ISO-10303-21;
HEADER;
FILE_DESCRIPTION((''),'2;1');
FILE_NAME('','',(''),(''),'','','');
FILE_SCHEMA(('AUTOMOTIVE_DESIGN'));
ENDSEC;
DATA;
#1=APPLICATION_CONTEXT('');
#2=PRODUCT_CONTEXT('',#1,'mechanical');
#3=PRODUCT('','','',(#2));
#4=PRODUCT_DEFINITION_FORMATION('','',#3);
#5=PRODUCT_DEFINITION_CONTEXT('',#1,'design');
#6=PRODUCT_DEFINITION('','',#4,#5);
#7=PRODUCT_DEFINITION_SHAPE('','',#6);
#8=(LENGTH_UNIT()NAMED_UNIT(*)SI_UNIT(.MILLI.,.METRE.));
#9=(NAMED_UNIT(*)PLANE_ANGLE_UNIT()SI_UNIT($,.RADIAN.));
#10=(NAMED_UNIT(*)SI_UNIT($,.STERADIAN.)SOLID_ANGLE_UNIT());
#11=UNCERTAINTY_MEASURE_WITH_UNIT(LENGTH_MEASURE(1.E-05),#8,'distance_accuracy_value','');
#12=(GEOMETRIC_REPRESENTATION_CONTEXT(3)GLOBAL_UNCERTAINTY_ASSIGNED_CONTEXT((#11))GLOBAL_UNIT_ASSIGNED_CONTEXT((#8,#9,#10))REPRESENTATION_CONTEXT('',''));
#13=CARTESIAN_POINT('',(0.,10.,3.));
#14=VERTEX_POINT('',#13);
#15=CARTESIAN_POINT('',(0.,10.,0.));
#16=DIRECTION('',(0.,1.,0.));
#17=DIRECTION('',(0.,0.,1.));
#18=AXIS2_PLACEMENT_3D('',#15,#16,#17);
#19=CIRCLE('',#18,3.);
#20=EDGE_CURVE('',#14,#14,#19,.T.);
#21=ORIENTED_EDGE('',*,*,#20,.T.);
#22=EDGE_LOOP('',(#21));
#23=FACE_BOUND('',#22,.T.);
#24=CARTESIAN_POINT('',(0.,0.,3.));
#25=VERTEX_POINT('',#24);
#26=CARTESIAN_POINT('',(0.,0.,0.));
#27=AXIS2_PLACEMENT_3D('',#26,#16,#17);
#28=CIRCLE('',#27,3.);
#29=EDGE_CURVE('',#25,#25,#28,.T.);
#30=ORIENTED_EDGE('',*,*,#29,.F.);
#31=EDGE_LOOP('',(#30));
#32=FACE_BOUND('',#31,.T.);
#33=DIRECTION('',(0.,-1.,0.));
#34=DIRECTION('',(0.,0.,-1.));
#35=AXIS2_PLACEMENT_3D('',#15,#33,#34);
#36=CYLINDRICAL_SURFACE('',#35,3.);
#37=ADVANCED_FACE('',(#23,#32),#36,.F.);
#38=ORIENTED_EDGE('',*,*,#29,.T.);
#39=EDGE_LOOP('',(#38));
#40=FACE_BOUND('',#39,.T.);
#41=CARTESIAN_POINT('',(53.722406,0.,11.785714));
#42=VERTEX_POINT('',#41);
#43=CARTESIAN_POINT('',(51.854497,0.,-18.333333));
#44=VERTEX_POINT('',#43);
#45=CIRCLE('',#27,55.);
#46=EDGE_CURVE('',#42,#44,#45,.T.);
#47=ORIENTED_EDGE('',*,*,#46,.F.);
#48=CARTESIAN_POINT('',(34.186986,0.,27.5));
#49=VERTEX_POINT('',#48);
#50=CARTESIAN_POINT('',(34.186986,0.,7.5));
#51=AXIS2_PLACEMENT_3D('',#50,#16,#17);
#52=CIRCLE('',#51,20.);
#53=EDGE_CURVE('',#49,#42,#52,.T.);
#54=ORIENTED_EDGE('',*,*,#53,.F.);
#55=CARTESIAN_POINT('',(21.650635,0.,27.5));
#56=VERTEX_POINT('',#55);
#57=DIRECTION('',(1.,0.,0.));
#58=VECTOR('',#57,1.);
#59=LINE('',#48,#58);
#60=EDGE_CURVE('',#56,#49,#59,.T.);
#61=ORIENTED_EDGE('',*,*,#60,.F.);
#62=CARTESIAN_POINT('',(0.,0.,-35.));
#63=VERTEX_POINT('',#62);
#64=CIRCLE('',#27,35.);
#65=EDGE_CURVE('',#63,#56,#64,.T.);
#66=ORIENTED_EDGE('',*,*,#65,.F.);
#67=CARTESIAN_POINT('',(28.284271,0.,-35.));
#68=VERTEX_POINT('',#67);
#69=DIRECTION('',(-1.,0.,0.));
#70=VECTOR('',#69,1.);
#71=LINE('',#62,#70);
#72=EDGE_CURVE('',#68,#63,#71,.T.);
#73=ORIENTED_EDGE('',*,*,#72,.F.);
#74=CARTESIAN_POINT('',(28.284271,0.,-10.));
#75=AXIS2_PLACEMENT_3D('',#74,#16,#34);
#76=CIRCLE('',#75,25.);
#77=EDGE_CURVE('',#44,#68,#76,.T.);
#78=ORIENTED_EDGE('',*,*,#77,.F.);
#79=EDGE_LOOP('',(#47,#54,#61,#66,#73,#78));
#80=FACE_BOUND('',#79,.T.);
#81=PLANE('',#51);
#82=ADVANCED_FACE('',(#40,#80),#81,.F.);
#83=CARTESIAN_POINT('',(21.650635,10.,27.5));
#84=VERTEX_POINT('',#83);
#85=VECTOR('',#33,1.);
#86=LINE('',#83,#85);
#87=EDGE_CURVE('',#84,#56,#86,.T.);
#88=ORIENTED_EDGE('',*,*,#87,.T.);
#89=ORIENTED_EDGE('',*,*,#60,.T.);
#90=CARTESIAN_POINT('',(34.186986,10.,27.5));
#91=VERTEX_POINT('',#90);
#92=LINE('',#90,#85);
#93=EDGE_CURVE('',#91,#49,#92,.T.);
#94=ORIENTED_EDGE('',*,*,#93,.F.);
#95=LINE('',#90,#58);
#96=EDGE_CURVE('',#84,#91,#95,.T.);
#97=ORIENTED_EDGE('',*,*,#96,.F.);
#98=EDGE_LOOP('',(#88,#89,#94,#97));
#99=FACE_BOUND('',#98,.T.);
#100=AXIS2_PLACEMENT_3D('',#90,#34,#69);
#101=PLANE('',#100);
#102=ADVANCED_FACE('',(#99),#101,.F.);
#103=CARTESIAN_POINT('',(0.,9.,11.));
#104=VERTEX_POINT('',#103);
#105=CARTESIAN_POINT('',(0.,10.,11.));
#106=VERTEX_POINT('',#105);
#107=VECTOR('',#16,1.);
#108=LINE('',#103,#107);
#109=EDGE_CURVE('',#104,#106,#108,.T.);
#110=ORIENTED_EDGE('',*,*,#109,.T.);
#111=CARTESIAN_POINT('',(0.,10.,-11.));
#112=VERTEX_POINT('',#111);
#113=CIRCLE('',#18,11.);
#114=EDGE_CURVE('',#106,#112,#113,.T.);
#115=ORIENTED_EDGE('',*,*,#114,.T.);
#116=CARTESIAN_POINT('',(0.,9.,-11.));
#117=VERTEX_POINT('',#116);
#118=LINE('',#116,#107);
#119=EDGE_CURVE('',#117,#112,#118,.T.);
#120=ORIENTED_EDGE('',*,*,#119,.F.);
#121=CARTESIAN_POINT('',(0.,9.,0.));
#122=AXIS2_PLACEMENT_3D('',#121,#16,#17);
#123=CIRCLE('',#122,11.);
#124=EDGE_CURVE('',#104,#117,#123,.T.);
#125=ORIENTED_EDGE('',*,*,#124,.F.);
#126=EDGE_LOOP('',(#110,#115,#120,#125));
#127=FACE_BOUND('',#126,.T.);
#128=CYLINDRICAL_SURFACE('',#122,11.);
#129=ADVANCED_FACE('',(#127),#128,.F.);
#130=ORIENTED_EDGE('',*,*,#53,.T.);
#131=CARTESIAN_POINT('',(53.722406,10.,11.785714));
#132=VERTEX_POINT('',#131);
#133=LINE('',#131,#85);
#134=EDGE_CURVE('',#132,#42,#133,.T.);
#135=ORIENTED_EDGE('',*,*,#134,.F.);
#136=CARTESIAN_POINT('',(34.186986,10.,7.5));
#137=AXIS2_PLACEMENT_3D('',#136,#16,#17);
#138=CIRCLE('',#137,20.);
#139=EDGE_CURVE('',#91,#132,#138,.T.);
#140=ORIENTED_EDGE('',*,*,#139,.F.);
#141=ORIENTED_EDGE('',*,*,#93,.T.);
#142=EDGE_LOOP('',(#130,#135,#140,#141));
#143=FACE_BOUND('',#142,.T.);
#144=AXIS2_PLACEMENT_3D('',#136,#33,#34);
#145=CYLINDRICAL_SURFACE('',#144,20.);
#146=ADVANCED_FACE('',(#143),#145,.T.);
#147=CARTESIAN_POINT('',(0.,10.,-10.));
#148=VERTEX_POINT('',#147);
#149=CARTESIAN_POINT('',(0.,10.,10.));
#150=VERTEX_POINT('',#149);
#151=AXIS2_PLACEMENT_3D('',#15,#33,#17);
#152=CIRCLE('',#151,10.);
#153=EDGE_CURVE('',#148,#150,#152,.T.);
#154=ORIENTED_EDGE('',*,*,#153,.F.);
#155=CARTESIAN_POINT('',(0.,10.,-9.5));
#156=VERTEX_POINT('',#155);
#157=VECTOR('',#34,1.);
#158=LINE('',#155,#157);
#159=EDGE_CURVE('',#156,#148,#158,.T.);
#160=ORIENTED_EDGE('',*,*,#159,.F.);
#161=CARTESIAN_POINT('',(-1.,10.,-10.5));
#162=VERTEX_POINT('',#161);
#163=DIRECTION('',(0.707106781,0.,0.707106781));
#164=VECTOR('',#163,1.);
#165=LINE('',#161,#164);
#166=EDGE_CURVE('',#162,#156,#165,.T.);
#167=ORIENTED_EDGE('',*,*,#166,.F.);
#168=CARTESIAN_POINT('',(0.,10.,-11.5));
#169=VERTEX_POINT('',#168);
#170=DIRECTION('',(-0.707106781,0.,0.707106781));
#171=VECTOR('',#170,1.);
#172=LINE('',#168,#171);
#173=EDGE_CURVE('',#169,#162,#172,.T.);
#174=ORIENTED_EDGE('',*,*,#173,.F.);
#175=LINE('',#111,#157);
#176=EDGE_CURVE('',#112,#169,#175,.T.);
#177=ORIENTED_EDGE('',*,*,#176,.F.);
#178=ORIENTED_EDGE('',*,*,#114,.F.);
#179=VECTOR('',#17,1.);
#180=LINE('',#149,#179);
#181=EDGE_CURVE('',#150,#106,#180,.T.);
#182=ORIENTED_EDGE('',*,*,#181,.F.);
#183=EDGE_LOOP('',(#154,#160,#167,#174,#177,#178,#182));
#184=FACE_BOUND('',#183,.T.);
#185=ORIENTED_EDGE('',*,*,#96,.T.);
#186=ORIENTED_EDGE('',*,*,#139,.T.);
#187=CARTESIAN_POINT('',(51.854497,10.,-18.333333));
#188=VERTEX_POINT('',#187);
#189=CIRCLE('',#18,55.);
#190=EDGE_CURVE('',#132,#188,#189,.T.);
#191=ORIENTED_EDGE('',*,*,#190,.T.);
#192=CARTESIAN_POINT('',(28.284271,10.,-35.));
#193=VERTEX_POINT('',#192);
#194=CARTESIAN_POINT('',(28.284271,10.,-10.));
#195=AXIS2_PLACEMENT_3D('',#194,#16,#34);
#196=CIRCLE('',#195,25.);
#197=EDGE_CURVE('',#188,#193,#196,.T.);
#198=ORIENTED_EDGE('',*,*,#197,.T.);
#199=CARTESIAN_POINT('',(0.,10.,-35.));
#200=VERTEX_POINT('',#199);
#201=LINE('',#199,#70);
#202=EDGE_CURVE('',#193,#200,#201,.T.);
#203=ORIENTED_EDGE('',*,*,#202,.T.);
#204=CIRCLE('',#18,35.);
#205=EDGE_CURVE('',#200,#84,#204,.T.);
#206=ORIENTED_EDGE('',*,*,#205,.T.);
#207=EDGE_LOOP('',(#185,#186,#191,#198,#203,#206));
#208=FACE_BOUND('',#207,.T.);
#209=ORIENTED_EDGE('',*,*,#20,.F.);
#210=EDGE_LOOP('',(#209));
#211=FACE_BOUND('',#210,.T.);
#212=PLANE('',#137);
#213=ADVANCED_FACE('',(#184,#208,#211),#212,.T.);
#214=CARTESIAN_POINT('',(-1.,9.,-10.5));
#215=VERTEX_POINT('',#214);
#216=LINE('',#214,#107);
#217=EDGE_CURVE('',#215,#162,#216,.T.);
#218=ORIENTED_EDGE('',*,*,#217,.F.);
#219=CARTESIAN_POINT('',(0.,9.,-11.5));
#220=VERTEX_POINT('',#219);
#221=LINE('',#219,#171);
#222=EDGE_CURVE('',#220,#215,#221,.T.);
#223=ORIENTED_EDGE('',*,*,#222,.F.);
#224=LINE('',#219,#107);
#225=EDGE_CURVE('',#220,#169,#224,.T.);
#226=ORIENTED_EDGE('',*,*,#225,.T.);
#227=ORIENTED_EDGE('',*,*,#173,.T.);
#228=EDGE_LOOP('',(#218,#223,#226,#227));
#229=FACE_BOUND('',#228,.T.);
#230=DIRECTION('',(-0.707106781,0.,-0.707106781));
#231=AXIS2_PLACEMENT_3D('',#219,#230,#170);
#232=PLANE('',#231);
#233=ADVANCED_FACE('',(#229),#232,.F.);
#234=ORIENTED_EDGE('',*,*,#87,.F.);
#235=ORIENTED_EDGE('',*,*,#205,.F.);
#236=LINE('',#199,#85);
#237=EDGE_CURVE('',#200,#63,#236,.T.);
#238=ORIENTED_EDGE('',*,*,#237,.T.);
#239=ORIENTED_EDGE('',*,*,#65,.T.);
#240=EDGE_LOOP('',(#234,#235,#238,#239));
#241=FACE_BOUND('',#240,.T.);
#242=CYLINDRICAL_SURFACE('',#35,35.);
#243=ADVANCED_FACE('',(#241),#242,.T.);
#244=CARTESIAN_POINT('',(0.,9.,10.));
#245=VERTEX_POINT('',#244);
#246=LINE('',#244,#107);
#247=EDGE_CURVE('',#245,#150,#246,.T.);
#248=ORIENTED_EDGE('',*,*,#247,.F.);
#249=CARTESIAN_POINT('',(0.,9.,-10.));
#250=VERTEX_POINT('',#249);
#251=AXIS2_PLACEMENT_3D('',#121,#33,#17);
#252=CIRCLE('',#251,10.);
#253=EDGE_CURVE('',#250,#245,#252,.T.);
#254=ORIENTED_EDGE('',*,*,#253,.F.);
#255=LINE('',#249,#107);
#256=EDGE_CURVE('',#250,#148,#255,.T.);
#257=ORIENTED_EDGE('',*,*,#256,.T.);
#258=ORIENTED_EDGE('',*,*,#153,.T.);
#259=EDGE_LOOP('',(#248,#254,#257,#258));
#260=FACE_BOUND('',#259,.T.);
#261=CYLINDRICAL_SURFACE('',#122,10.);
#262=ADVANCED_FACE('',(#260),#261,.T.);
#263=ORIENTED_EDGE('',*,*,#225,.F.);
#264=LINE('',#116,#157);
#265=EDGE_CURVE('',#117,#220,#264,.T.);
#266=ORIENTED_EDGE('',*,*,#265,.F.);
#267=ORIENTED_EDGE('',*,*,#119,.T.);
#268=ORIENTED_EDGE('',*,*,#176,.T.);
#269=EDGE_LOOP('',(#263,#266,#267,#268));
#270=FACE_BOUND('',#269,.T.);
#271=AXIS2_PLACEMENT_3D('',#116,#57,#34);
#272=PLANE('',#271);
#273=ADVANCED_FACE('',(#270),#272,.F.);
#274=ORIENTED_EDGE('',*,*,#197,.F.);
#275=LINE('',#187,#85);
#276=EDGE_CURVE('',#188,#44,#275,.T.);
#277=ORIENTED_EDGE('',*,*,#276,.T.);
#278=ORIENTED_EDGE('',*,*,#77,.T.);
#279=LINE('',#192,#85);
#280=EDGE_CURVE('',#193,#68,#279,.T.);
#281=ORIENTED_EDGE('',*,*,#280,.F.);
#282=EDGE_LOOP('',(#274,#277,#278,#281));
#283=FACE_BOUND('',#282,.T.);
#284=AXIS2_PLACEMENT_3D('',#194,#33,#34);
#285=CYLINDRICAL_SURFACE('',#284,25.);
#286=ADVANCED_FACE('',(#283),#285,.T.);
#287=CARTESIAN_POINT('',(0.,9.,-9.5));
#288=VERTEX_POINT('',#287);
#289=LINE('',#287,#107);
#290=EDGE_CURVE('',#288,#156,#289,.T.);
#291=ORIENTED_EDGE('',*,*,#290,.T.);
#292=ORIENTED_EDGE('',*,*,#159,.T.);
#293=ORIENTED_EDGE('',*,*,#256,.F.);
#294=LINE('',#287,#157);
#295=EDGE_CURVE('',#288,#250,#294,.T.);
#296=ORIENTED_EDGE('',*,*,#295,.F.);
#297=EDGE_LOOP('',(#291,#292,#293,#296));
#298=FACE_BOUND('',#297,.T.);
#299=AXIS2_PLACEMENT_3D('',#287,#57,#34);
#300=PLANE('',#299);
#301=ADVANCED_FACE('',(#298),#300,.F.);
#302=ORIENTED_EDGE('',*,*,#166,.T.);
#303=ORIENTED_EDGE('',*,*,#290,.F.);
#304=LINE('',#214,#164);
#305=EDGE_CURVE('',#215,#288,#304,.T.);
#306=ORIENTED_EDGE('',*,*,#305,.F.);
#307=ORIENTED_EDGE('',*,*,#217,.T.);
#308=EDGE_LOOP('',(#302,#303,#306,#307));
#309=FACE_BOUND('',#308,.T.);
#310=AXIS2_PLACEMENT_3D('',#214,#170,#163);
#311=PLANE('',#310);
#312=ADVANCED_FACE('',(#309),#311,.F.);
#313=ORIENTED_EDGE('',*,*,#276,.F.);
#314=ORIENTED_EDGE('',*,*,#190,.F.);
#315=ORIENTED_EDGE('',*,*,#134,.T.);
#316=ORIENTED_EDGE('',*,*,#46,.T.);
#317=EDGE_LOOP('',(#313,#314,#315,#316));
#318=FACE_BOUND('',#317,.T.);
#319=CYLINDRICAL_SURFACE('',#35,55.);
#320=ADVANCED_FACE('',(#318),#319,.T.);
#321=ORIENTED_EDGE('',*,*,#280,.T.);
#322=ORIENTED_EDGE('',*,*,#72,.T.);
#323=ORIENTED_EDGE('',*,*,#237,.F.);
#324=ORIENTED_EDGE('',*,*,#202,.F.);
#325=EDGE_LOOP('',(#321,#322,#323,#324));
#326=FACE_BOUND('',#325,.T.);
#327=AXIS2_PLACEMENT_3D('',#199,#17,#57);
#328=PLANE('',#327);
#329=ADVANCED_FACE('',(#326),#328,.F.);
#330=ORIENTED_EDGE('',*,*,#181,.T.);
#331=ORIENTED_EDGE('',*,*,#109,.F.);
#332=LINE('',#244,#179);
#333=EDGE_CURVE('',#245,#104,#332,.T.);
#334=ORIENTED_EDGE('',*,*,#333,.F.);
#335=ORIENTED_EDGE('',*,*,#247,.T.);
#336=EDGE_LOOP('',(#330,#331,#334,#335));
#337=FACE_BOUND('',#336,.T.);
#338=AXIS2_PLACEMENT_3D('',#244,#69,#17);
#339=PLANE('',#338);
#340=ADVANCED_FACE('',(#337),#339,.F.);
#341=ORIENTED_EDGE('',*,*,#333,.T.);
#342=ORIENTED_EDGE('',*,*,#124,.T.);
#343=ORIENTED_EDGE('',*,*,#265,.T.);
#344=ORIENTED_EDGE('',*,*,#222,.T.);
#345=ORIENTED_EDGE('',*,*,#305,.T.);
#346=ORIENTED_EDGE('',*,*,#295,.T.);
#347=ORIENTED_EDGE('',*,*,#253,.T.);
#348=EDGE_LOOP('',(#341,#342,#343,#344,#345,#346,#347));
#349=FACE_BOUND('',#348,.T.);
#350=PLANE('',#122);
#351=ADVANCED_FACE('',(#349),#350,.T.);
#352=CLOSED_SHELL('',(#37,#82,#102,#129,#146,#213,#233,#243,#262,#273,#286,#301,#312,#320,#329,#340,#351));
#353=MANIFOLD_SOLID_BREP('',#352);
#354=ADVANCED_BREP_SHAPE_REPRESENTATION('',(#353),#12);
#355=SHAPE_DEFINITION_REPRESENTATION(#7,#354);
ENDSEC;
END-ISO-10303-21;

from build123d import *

# Parameters (mm, degrees)
SKETCH_1_R          = 3
EXTRUDE_1_DEPTH     = 10
CUT_EXTRUDE_1_DEPTH = 1


with BuildPart() as part:
    # 草圖1 → 填料-伸長1 (new body)
    with BuildSketch(Plane(origin=(0, 0, 0), x_dir=(1, 0, 0), z_dir=(0, 1, 0))):
        with BuildLine():
            Line((0, 35), (28.284271247, 35))
            ThreePointArc((28.284271247, 35), (42.718027977, 30.412414523), (51.854497287, 18.333333333))
            ThreePointArc((51.854497287, 18.333333333), (54.894534338, 3.404423566), (53.722406301, -11.785714286))
            ThreePointArc((53.722406301, -11.785714286), (46.722649239, -23.083874449), (34.186985828, -27.5))
            Line((34.186985828, -27.5), (21.650635095, -27.5))
            ThreePointArc((21.650635095, -27.5), (-33.071891388, -11.456439237), (0, 35))
        make_face()
        with Locations(Location((0, 0, 0), (0, 0, 270))):
            Circle(SKETCH_1_R, mode=Mode.SUBTRACT)
    extrude(amount=EXTRUDE_1_DEPTH)

    # 草圖2 → 除料-伸長1 (cut)
    with BuildSketch(Plane(origin=(0, 10, 0), x_dir=(1, 0, 0), z_dir=(0, 1, 0))):
        with BuildLine():
            Line((0, -10), (0, -11))
            ThreePointArc((0, -11), (11, 0), (0, 11))
            Line((0, 11), (0, 11.5))
            Line((0, 11.5), (-1, 10.5))
            Line((-1, 10.5), (0, 9.5))
            Line((0, 9.5), (0, 10))
            ThreePointArc((0, 10), (10, 0), (0, -10))
        make_face()
    extrude(amount=-CUT_EXTRUDE_1_DEPTH, mode=Mode.SUBTRACT)


solid = part.part
